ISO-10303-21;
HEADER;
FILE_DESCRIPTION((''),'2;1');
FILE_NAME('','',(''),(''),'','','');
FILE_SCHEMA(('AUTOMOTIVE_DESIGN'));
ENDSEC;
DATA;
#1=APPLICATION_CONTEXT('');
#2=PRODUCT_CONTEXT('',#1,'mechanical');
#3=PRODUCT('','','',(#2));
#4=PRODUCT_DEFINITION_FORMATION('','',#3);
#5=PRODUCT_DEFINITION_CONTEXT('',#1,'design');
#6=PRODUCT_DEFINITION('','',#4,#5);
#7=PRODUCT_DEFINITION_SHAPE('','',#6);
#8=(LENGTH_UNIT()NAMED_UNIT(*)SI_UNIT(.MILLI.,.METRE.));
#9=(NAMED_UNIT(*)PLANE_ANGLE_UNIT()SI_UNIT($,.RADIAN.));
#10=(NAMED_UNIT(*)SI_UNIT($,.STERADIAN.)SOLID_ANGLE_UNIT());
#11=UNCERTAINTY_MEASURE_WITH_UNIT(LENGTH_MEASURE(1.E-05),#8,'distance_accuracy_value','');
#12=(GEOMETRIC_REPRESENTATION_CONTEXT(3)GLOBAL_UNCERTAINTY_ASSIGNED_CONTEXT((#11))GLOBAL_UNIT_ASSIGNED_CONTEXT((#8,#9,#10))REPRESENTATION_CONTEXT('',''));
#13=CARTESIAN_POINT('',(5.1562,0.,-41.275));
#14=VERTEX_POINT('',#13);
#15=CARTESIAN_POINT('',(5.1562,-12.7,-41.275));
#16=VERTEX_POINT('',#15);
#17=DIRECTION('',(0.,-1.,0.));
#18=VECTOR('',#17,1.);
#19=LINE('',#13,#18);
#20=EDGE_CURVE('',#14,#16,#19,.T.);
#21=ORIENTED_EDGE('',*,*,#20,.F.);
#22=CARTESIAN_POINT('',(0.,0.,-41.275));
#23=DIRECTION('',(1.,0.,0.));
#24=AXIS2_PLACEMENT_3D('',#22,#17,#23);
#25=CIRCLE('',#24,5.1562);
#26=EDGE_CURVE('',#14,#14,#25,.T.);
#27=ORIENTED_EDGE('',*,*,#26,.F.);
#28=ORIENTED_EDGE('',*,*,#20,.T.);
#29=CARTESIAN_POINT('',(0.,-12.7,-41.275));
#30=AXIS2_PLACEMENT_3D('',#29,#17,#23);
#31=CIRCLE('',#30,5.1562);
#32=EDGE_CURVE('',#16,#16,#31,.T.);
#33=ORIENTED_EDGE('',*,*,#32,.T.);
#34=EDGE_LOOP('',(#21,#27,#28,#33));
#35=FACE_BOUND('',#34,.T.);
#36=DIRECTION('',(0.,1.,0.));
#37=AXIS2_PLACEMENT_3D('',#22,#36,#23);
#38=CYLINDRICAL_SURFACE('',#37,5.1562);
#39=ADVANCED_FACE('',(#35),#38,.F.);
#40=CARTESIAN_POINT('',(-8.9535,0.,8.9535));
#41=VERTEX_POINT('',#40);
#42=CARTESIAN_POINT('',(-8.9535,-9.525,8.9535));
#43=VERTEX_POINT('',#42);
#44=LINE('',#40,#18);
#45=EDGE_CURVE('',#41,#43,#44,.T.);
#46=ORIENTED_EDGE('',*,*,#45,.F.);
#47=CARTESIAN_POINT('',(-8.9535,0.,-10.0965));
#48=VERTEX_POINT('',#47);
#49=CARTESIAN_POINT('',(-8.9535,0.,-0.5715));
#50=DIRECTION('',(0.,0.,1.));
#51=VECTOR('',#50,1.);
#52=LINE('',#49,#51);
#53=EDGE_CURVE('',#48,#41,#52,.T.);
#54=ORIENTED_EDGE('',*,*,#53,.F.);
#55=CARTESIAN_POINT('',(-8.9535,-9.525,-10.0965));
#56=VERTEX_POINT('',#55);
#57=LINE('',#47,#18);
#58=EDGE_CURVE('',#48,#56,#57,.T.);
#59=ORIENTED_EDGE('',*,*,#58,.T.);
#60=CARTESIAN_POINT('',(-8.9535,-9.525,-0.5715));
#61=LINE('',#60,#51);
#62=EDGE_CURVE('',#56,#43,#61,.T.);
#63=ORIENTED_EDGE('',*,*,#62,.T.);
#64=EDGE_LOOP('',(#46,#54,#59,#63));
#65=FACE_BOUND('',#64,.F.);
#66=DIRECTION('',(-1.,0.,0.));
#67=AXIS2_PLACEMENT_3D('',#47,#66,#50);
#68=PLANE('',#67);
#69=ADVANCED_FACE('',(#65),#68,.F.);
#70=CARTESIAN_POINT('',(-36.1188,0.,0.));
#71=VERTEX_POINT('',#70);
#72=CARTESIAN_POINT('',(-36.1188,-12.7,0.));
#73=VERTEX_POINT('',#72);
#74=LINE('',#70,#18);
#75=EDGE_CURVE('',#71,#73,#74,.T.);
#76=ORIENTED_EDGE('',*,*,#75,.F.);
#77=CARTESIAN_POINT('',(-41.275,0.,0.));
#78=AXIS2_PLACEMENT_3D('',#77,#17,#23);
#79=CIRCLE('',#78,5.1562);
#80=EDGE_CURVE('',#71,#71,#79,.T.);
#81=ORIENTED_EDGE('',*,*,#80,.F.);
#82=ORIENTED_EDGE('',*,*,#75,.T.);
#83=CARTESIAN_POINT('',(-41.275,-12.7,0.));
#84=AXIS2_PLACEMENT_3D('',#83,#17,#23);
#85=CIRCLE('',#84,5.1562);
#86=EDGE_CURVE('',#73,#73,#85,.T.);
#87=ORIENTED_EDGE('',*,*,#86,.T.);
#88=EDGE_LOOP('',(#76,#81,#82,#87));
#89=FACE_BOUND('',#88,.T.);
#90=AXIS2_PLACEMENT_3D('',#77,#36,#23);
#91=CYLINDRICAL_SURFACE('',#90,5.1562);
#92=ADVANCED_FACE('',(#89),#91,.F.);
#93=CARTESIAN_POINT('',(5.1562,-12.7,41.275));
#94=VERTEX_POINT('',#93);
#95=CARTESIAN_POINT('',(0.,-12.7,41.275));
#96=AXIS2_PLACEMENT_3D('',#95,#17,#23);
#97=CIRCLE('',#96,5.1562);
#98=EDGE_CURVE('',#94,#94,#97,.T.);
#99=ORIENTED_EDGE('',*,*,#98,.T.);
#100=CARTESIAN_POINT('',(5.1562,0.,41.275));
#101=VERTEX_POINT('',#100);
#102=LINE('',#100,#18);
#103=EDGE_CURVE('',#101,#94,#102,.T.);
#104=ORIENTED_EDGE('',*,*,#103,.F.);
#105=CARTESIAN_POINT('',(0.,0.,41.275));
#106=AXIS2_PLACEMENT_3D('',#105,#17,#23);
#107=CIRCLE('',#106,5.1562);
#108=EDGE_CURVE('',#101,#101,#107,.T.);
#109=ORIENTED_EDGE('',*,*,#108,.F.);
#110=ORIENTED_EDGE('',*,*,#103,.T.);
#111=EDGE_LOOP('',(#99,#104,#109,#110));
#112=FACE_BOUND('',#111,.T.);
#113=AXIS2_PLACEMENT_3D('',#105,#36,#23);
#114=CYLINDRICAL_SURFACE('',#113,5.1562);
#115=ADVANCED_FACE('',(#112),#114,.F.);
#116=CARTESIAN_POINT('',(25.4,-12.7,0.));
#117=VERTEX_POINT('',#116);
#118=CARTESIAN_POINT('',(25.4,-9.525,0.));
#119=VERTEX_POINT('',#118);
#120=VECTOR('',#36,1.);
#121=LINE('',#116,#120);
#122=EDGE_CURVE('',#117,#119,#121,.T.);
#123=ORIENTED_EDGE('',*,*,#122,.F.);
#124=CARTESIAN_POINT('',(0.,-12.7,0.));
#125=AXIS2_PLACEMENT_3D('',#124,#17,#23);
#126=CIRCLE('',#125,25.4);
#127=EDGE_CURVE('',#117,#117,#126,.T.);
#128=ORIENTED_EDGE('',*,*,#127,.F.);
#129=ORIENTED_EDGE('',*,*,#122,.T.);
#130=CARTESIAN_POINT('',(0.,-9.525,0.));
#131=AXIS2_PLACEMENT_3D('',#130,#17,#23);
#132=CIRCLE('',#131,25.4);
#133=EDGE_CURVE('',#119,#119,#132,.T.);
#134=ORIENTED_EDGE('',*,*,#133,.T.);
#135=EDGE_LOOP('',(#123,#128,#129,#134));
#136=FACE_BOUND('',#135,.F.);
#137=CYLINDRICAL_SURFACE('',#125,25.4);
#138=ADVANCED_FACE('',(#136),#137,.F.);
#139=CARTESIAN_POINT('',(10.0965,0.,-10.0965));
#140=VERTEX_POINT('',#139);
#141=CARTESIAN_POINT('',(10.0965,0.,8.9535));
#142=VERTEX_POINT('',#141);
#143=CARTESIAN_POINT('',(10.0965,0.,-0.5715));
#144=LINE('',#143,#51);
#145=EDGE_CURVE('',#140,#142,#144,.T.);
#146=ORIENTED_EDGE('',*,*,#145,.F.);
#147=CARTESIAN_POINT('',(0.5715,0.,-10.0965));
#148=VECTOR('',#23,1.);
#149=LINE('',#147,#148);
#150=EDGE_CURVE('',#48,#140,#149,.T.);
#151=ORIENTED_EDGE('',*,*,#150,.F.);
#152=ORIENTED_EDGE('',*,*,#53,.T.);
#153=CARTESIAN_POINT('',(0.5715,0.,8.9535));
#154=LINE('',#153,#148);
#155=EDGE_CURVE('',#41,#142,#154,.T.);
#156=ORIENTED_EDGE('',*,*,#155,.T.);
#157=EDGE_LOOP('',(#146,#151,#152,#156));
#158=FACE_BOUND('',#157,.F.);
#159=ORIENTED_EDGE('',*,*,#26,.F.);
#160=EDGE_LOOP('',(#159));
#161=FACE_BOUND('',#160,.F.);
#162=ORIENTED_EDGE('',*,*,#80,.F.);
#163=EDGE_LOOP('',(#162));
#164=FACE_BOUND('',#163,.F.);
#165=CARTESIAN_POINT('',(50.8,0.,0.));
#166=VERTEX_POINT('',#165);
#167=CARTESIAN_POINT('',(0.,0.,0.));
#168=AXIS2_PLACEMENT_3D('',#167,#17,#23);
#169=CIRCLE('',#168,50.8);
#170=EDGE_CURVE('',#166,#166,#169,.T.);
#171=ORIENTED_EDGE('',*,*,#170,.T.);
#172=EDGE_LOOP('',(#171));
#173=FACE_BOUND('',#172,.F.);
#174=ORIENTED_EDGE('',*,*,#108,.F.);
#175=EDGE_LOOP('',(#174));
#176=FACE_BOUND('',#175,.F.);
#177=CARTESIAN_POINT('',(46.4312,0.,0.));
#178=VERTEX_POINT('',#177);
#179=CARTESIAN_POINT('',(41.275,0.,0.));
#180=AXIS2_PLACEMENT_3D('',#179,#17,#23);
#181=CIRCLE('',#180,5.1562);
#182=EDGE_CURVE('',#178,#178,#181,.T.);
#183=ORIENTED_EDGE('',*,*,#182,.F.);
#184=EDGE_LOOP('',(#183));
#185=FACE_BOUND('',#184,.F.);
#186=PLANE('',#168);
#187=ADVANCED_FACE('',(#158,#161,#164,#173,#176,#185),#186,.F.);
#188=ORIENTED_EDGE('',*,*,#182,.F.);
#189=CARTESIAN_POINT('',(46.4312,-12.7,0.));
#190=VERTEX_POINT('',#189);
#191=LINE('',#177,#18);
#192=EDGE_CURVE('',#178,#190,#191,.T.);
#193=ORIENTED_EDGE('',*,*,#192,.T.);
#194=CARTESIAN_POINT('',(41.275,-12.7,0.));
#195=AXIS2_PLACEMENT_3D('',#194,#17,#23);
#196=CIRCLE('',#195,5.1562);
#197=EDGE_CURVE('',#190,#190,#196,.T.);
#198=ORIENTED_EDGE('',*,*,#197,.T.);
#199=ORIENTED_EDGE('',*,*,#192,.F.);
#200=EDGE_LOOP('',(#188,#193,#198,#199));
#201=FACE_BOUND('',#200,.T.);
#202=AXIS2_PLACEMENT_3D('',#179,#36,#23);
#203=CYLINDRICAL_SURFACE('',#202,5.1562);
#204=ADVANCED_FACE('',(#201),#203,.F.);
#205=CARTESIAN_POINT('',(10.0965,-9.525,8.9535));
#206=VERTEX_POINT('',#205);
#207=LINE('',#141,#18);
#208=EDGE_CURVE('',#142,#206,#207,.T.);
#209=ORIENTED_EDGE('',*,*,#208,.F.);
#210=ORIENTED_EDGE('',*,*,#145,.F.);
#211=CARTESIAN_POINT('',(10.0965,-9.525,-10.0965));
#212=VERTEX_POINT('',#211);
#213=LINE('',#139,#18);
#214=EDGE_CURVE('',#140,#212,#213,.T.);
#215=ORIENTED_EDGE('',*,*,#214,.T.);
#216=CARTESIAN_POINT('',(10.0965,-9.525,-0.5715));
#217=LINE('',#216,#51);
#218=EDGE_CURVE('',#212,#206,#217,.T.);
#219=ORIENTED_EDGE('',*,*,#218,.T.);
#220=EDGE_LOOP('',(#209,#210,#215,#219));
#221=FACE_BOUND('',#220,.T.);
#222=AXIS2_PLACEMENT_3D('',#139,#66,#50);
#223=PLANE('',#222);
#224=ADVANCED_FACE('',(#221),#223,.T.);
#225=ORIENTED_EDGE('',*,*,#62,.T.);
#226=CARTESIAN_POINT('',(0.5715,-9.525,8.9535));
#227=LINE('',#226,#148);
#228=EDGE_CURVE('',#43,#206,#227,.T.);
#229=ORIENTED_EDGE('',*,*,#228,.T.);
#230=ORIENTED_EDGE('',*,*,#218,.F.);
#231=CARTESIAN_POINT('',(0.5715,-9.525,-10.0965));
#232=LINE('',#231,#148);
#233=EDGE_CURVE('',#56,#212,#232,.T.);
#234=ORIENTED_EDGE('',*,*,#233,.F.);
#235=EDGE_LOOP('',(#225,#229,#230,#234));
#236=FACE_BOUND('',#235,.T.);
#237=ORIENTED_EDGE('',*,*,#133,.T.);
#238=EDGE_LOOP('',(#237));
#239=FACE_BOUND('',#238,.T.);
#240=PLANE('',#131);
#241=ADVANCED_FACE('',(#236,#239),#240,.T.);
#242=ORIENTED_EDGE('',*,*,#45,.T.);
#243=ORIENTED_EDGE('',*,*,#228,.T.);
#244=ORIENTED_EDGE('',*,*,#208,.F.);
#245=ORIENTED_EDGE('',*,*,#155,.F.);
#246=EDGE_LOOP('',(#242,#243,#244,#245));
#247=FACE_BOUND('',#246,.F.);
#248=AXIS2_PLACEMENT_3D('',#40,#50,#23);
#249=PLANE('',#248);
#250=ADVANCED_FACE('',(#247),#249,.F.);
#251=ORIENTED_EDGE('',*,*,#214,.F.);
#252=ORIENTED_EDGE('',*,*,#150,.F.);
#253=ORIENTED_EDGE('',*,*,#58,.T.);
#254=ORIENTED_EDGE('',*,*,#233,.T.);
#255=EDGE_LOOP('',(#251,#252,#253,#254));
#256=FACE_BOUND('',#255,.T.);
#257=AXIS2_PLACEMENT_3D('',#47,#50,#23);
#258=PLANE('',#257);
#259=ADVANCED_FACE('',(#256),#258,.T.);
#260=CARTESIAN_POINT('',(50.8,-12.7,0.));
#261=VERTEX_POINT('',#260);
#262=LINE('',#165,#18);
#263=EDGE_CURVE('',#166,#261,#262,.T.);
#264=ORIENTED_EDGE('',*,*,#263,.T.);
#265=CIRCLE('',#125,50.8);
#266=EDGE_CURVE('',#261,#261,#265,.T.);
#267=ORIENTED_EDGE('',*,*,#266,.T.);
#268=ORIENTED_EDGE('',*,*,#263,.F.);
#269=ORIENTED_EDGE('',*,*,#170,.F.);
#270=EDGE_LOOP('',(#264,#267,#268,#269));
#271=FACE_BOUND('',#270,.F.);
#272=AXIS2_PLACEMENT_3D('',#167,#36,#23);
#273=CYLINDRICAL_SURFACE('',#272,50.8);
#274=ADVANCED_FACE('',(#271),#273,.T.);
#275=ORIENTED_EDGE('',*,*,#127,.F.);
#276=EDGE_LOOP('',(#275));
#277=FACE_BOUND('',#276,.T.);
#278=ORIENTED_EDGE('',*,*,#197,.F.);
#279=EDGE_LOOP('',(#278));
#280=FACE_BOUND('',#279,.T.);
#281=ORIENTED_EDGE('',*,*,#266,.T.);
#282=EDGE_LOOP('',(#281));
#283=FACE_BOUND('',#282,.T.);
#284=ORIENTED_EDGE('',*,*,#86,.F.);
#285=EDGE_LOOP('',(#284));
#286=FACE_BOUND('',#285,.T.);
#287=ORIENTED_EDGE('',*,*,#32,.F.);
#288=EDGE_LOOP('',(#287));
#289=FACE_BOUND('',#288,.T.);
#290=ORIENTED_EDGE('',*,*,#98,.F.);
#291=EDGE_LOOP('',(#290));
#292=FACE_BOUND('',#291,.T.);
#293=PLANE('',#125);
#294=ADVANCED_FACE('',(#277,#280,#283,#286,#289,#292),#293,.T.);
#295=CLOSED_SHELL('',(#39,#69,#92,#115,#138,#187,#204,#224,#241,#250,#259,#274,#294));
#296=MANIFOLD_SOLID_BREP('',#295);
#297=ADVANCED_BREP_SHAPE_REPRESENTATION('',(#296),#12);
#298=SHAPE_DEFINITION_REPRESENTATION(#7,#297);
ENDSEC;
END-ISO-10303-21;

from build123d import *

# Parameters (mm, degrees)
F0_R     = 50.8
F0_R_2   = 5.1562
F0_W     = 19.05
F0_H     = 19.05
F1_DEPTH = 12.7
F2_R     = 25.4
F2_W     = 19.05
F2_H     = 19.05
F3_DEPTH = 3.175


with BuildPart() as f1:
    # F0 (on Front) → F1 (new body)
    with BuildSketch(Plane.XZ):
        Circle(F0_R)
        with Locations((0, -41.275)):
            Circle(F0_R_2, mode=Mode.SUBTRACT)
        with Locations((-41.275, 0)):
            Circle(F0_R_2, mode=Mode.SUBTRACT)
        with Locations((0.5715, -0.5715)):
            Rectangle(F0_W, F0_H, mode=Mode.SUBTRACT)
        with Locations((41.275, 0)):
            Circle(F0_R_2, mode=Mode.SUBTRACT)
        with Locations((0, 41.275)):
            Circle(F0_R_2, mode=Mode.SUBTRACT)
    extrude(amount=F1_DEPTH)

    # F2 (on face) → F3 (cut)
    with BuildSketch(Plane.XZ.offset(12.7)):
        Circle(F2_R)
        with Locations((0.5715, -0.5715)):
            Rectangle(F2_W, F2_H, mode=Mode.SUBTRACT)
    extrude(amount=-F3_DEPTH, mode=Mode.SUBTRACT)


solid = f1.part
